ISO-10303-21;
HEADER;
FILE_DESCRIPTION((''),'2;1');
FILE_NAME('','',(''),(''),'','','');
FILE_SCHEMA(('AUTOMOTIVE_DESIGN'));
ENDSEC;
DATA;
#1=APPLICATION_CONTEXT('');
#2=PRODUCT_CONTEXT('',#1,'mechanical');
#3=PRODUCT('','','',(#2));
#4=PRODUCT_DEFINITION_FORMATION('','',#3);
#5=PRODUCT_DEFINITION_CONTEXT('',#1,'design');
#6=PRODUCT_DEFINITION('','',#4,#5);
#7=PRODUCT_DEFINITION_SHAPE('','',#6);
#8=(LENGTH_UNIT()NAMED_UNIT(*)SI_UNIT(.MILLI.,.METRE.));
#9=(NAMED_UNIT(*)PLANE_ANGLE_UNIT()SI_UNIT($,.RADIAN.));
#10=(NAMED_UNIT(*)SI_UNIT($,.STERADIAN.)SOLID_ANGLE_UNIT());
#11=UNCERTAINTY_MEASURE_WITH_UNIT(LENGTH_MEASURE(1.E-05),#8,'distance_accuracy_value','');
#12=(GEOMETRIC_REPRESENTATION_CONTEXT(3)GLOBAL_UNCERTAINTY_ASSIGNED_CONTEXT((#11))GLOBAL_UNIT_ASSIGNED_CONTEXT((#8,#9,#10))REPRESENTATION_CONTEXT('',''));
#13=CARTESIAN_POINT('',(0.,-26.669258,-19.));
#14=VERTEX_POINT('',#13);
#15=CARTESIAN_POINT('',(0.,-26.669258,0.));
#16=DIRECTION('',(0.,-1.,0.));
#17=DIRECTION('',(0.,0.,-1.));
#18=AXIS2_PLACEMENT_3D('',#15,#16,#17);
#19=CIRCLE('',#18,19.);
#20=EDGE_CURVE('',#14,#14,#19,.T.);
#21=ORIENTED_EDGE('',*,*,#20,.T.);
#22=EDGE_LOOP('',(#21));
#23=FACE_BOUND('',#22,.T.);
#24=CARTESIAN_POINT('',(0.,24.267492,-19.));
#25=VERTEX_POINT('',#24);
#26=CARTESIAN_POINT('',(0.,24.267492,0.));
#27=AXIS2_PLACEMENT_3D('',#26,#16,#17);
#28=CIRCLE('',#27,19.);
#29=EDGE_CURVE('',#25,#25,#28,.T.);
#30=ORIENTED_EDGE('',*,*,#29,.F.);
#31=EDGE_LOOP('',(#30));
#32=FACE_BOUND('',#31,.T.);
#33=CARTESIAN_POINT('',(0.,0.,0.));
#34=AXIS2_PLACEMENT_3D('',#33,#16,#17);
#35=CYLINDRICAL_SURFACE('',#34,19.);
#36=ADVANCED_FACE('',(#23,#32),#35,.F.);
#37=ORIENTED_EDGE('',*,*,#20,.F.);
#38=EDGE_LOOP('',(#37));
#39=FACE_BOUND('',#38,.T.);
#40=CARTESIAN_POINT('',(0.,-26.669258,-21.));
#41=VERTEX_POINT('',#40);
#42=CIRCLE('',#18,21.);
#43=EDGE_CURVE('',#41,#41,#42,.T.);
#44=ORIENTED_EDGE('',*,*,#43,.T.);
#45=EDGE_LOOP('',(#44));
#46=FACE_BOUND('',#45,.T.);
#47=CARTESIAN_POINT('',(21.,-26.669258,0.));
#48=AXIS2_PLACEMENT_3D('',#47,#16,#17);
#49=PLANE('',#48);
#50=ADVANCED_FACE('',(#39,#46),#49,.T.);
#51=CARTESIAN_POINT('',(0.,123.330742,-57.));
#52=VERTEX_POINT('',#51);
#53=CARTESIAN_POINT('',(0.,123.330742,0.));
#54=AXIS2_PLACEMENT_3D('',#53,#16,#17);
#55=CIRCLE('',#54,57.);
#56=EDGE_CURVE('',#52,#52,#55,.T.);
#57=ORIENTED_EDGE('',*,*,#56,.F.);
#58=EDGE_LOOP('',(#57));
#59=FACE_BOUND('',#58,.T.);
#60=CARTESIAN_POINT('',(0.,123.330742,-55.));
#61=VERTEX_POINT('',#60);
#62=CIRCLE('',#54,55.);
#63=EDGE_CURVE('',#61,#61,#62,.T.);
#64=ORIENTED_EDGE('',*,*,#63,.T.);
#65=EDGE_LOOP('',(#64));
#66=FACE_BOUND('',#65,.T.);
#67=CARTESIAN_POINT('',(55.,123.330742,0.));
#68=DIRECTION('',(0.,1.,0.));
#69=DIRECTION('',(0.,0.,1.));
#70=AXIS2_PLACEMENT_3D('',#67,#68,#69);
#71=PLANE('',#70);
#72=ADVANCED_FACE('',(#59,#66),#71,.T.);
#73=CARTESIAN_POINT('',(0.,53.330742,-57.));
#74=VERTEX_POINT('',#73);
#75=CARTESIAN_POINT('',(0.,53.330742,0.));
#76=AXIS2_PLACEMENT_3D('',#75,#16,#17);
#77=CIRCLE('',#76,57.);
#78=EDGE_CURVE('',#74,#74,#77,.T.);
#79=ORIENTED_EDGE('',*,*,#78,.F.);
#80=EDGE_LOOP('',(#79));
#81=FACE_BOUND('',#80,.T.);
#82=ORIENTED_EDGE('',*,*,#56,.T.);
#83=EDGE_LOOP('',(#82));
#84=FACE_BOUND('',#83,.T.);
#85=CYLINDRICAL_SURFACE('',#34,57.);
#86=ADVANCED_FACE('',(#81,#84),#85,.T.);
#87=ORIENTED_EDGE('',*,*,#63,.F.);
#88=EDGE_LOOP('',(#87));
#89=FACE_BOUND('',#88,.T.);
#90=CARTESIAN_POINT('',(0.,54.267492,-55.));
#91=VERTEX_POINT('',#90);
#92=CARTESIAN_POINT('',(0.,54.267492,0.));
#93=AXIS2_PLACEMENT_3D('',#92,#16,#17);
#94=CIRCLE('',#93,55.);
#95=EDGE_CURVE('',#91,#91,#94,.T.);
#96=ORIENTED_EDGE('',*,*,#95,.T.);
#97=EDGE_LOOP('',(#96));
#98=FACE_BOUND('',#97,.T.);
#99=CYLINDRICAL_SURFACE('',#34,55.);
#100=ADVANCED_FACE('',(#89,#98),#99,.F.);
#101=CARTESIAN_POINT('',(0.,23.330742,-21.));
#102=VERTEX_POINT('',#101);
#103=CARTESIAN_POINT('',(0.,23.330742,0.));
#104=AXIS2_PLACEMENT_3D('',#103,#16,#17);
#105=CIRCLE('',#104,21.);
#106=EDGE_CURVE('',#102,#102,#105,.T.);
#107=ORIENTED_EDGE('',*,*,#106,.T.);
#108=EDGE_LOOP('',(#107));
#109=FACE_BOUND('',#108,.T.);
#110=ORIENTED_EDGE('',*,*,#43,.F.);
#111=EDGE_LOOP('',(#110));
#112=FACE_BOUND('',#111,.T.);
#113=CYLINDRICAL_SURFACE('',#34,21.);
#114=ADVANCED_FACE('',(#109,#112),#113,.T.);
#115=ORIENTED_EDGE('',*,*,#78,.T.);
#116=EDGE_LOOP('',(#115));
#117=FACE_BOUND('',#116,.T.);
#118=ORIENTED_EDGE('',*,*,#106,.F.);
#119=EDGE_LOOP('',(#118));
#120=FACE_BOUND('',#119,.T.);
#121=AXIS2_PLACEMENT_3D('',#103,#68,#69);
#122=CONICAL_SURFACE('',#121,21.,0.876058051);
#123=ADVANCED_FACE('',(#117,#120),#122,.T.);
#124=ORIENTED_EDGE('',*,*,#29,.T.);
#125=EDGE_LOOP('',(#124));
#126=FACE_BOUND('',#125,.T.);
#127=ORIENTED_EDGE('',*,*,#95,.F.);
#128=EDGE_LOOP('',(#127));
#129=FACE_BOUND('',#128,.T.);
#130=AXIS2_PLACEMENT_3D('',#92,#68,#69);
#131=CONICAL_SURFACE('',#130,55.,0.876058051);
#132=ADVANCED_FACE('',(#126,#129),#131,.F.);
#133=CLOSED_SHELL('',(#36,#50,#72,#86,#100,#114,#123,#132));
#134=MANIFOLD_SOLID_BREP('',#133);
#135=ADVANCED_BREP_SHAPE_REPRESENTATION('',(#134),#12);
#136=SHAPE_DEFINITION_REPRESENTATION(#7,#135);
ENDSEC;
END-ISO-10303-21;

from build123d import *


with BuildPart() as part:
    # Sketch1 → Revolve1 (revolve)
    with BuildSketch(Plane.XY, mode=Mode.PRIVATE) as revolve1_sk:
        Polygon((19, -26.669257575), (19, 24.267492317), (55, 54.267492317), (55, 123.330742425), (57, 123.330742425), (57, 53.330742425), (21, 23.330742425), (21, -26.669257575), align=None)
    revolve(revolve1_sk.sketch.rotate(Axis((0, 0, 0), (0, 1, 0)), 90), axis=Axis((0, 0, 0), (0, 1, 0)))


solid = part.part
